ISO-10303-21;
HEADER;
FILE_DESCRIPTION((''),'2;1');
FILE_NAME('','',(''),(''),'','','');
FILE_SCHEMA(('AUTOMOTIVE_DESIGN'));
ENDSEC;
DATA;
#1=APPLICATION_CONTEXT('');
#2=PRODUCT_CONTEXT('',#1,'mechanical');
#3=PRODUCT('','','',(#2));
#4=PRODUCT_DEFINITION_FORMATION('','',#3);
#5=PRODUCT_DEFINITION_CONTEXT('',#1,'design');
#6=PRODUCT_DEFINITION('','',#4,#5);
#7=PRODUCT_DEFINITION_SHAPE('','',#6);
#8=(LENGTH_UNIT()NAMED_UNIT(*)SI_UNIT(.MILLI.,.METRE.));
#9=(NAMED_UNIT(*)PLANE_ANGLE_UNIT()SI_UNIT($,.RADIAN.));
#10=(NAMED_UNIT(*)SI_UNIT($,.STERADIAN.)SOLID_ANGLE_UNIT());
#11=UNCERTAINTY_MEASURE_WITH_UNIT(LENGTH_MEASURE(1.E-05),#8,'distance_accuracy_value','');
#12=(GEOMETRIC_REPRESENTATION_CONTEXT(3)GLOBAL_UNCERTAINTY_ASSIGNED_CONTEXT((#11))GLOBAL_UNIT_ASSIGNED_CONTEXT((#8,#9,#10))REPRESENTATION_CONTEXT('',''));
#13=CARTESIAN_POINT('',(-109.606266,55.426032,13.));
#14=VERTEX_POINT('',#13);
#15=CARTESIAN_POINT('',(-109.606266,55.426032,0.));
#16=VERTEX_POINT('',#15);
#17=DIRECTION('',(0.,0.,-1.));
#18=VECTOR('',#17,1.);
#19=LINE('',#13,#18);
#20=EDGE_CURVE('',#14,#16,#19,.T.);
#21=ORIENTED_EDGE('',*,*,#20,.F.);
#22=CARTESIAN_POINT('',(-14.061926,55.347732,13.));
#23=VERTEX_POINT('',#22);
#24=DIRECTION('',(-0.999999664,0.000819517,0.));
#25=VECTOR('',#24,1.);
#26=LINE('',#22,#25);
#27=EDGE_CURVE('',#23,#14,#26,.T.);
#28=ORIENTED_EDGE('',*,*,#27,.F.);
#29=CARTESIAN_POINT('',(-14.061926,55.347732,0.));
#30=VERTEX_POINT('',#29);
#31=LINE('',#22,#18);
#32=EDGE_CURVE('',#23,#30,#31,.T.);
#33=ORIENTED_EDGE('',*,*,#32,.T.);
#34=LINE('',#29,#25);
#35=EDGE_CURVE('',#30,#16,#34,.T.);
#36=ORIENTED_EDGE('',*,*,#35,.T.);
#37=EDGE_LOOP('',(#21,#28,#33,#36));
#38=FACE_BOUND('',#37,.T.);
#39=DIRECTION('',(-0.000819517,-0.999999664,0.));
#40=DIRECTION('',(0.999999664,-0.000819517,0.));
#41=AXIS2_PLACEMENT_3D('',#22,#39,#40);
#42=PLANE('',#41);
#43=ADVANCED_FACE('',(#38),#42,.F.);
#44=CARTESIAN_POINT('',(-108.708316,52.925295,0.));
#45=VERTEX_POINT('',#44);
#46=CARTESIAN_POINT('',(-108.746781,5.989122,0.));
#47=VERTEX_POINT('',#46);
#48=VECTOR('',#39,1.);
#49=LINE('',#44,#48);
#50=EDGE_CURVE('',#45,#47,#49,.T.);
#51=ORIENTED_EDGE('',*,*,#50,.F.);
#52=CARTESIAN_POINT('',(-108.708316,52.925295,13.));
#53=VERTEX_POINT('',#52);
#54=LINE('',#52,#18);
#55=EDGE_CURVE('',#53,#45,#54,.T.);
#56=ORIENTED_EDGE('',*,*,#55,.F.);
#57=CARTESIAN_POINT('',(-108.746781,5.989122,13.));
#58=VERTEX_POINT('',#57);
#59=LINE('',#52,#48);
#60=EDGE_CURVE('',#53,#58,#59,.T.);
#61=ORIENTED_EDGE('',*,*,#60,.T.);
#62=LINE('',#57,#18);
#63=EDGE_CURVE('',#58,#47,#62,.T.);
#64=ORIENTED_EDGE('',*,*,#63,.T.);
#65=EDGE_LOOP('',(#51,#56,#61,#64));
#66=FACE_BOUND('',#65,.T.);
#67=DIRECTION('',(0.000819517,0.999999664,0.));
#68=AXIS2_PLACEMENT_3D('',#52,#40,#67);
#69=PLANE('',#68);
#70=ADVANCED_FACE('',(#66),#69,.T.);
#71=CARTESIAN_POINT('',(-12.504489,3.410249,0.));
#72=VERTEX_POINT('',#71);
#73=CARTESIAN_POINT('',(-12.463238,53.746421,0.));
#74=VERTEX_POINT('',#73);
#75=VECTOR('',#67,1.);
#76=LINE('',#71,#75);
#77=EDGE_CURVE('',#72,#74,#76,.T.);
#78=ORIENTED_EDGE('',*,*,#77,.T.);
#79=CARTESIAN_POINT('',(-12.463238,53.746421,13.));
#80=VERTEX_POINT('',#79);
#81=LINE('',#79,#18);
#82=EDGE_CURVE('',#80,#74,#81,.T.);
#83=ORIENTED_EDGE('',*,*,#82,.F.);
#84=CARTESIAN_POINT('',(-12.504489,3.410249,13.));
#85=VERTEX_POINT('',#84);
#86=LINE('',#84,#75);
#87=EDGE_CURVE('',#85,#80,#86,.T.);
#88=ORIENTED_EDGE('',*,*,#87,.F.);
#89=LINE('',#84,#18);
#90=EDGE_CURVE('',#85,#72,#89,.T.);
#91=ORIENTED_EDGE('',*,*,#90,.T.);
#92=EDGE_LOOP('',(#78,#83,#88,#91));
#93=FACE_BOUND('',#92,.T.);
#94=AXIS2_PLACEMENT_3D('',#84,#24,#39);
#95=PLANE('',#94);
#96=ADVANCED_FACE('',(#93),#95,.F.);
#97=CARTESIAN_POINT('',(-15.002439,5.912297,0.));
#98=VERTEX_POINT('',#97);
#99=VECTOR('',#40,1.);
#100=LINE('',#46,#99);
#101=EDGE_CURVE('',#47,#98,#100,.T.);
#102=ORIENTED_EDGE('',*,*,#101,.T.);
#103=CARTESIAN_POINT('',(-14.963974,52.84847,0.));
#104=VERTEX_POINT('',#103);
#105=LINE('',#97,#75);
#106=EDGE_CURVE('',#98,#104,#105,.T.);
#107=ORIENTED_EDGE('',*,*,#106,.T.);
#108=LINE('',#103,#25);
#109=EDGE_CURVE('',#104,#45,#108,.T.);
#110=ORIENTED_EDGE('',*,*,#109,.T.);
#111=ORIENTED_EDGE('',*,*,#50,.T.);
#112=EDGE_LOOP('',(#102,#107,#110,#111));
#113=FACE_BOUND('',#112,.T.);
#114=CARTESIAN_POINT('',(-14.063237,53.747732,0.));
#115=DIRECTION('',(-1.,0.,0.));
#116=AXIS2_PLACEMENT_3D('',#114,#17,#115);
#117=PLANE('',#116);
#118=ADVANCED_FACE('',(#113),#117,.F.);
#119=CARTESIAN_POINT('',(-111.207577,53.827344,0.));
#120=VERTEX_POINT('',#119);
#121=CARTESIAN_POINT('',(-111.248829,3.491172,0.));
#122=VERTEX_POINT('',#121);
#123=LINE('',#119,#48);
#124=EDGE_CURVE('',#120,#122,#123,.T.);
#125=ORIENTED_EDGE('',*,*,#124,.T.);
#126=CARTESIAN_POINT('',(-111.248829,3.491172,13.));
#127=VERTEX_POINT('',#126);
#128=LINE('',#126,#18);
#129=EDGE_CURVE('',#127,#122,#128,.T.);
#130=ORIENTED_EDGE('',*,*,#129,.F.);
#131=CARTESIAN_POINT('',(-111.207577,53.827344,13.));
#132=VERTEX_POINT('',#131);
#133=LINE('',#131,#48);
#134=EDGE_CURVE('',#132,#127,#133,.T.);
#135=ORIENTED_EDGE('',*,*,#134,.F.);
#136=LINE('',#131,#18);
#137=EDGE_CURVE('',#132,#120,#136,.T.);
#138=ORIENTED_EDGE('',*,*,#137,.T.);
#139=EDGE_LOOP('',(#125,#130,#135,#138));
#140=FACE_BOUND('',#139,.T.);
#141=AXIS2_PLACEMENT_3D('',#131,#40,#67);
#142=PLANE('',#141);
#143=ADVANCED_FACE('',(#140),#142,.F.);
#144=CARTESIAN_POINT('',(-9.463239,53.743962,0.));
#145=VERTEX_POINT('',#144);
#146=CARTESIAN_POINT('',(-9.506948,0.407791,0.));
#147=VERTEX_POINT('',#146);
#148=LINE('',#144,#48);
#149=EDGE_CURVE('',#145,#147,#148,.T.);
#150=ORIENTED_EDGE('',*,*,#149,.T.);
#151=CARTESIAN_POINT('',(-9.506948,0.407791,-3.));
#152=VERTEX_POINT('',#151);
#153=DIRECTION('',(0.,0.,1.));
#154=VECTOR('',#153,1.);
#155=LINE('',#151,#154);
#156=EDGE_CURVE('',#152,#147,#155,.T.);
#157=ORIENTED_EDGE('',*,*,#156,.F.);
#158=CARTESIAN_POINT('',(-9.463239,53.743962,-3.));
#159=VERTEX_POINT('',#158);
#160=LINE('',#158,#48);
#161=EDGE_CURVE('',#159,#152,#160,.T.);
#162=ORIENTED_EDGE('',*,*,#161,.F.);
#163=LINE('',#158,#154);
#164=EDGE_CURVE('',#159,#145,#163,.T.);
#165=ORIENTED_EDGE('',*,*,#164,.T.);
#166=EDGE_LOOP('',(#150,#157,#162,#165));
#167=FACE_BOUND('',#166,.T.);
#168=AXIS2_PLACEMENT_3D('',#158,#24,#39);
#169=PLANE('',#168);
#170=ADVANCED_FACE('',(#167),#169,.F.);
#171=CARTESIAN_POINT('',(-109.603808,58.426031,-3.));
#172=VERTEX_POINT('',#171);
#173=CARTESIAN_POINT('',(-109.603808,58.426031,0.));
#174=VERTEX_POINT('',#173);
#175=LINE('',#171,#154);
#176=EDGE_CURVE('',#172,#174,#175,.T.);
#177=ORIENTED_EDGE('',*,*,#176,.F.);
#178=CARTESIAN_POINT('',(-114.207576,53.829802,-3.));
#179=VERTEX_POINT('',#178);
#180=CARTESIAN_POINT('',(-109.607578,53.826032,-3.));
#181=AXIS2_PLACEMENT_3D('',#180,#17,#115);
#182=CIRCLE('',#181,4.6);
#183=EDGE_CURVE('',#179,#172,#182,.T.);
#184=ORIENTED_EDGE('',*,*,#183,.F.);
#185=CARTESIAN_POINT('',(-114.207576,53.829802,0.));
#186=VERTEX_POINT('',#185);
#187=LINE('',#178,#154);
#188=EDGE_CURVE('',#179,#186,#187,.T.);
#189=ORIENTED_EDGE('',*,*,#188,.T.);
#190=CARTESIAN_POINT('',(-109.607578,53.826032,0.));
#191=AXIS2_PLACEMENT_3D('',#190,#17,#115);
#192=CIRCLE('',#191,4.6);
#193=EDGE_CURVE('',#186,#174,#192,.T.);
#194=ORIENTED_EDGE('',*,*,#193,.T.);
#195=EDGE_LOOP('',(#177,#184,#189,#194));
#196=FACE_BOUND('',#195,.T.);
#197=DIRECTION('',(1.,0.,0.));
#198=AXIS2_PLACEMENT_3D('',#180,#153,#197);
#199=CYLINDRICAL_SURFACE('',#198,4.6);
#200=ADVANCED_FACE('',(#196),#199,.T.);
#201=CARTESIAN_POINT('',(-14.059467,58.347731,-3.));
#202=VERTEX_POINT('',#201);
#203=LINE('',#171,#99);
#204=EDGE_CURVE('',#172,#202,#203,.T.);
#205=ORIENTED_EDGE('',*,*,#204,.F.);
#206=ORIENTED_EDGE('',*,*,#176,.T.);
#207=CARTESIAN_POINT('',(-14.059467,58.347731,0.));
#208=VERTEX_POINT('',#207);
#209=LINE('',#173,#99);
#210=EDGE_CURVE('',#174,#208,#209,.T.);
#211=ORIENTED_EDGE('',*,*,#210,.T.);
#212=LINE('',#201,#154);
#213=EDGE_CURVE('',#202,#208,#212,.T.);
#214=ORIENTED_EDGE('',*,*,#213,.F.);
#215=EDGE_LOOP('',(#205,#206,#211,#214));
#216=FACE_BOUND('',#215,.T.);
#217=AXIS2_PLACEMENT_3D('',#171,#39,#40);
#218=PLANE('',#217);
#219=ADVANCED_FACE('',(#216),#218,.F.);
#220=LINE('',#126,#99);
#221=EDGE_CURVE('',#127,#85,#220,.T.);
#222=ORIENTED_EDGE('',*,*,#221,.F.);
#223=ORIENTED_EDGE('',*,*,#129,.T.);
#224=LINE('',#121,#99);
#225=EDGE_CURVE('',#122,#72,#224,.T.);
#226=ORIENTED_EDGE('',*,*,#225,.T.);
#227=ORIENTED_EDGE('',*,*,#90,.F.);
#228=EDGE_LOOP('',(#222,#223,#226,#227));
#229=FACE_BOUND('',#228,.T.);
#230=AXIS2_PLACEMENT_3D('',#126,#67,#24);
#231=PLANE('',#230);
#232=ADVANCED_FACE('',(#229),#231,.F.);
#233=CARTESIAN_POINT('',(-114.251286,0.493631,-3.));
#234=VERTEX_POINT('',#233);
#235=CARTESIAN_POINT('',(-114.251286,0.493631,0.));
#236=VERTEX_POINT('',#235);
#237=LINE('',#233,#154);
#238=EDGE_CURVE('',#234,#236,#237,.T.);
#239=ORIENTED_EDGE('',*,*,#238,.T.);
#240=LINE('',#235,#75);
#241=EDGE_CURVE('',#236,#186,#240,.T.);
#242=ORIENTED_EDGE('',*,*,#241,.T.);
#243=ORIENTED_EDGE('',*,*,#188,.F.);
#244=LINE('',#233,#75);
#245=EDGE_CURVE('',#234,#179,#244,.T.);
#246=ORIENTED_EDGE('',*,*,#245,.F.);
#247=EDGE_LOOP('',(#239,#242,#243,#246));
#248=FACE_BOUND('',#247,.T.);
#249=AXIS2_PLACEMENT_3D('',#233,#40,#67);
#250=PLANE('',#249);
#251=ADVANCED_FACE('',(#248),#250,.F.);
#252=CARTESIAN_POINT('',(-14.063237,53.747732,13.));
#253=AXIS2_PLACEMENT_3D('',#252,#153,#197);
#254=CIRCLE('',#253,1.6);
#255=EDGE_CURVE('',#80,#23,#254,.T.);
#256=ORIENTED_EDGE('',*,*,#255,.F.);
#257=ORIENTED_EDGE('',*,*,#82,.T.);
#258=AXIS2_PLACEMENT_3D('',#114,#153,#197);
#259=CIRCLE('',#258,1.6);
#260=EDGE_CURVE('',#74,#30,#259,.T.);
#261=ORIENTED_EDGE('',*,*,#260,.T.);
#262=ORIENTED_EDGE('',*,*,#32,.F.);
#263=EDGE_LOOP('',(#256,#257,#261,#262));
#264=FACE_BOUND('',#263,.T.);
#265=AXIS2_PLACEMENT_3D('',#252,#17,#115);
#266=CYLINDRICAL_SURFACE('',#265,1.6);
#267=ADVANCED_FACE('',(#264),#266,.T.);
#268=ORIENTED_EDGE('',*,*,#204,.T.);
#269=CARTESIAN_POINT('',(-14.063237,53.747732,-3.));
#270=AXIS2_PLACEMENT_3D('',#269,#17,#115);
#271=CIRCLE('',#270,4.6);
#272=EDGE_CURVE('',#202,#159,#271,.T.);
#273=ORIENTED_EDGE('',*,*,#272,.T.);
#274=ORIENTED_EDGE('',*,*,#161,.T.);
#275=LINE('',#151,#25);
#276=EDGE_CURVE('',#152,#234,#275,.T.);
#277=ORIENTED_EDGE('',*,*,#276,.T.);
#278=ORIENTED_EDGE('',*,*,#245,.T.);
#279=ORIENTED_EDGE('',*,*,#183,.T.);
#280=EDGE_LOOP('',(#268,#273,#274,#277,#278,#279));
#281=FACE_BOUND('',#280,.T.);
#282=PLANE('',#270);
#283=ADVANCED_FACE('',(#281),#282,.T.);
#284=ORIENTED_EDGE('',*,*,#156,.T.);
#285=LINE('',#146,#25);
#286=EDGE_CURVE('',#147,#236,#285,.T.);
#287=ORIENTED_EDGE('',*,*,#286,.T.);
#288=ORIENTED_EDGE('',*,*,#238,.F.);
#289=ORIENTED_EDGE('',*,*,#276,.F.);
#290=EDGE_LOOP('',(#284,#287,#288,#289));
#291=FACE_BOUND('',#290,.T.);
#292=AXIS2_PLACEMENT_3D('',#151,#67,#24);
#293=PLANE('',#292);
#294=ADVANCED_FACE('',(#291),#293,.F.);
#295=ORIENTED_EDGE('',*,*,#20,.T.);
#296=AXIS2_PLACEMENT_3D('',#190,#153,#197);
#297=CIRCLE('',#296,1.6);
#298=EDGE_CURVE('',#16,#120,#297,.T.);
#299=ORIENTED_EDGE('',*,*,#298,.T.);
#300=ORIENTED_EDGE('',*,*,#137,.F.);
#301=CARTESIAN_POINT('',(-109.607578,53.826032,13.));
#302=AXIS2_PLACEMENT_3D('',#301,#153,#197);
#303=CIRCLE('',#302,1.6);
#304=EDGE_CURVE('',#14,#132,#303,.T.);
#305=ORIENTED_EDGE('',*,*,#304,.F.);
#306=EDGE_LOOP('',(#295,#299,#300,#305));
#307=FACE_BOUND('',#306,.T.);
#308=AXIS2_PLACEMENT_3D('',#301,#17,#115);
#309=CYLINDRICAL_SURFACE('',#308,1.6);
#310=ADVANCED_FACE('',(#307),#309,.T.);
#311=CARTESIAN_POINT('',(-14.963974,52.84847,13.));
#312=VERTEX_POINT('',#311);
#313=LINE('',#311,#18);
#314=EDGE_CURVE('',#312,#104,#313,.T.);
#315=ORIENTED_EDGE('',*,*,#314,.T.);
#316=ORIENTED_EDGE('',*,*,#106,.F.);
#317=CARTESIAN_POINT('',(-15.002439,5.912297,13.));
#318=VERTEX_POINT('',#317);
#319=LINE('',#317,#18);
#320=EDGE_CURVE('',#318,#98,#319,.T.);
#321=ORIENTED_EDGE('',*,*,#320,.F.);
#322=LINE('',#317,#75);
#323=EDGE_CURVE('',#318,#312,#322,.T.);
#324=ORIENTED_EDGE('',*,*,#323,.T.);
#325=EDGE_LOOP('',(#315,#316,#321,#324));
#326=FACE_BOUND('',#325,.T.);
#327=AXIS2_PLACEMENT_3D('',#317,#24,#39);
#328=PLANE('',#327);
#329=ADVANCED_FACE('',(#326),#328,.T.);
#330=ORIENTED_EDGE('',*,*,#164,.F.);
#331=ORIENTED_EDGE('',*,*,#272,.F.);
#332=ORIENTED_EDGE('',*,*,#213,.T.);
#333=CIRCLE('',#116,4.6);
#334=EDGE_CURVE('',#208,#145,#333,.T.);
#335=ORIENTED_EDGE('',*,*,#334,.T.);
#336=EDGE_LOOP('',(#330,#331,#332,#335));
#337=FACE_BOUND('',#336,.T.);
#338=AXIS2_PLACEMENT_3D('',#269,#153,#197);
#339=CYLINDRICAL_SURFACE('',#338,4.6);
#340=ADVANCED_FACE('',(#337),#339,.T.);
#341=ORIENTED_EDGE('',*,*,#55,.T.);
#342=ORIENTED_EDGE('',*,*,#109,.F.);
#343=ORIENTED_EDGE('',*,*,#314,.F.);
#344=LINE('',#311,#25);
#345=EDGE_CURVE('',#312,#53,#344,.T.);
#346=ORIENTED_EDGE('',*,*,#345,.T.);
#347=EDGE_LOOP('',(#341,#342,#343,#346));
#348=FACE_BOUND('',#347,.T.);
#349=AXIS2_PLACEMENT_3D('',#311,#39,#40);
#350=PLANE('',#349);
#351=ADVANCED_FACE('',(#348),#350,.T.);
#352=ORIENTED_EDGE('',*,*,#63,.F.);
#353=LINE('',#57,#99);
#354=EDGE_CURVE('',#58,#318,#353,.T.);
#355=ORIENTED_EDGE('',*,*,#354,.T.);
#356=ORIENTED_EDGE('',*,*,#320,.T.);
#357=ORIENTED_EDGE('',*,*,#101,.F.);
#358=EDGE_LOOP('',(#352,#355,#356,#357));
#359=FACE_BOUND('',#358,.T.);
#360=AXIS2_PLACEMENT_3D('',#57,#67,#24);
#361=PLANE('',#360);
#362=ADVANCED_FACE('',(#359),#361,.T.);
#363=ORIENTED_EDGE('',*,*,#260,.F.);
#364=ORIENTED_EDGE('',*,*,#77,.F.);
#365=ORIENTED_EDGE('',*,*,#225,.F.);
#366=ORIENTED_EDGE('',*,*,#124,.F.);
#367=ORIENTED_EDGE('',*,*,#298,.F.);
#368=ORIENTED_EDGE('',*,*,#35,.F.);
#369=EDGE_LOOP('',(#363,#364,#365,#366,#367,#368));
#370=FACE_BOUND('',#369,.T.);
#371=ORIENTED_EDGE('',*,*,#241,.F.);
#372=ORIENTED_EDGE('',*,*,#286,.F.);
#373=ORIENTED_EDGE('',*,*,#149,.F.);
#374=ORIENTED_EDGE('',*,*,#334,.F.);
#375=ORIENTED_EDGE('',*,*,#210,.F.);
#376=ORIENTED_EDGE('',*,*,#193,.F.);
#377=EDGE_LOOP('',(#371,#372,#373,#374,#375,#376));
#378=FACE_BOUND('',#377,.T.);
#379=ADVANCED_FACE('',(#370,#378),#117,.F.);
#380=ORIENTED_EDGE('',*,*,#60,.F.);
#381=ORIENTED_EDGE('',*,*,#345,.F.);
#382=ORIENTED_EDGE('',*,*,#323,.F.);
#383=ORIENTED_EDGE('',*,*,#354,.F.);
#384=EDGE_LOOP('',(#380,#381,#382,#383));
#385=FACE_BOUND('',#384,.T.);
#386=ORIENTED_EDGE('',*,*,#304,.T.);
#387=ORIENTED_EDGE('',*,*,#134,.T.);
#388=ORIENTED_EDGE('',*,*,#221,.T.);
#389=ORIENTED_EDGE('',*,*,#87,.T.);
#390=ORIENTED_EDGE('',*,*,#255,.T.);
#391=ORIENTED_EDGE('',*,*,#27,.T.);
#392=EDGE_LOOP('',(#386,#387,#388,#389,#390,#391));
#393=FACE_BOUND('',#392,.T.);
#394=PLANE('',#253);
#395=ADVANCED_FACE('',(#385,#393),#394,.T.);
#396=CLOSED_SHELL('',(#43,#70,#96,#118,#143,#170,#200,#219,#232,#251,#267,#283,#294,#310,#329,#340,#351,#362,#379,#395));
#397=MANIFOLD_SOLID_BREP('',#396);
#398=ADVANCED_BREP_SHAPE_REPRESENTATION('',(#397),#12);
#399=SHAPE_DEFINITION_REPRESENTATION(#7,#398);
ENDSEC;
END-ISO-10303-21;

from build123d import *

# Parameters (mm, degrees)
RESSALTO_EXTRUS_O1_DEPTH = 13
RESSALTO_EXTRUS_O2_DEPTH = 3


with BuildPart() as part:
    # Esboço1 → Ressalto-extrusão1 (new body)
    with BuildSketch(Plane.XY):
        with BuildLine():
            Line((-111.248828562, 3.491171507), (-12.504488884, 3.410248792))
            Line((-12.504488884, 3.410248792), (-12.46323751, 53.746420916))
            ThreePointArc((-12.46323751, 53.746420916), (-12.930939325, 54.878175435), (-14.061925745, 55.347731606))
            Line((-14.061925745, 55.347731606), (-109.606266497, 55.426031866))
            ThreePointArc((-109.606266497, 55.426031866), (-110.738021017, 54.958330051), (-111.207577187, 53.82734363))
            Line((-111.207577187, 53.82734363), (-111.248828562, 3.491171507))
        make_face()
        Polygon((-108.746780608, 5.989121875), (-15.002439252, 5.912296746), (-14.963974236, 52.848470011), (-108.708315592, 52.92529514), align=None, mode=Mode.SUBTRACT)
    extrude(amount=RESSALTO_EXTRUS_O1_DEPTH)

    # Esboço2 → Ressalto-extrusão2 (add)
    with BuildSketch(Plane(origin=(0, 0, 0), x_dir=(-1, 0, 0), z_dir=(0, 0, -1))):
        with BuildLine():
            Line((9.463238518, 53.743962364), (9.506948443, 0.407791248))
            Line((9.506948443, 0.407791248), (114.251286106, 0.493631066))
            Line((114.251286106, 0.493631066), (114.20757618, 53.829802182))
            ThreePointArc((114.20757618, 53.829802182), (112.857602189, 57.081388141), (109.603807945, 58.426030858))
            Line((109.603807945, 58.426030858), (14.059467194, 58.347730599))
            ThreePointArc((14.059467194, 58.347730599), (10.807881235, 56.997756608), (9.463238518, 53.743962364))
        make_face()
    extrude(amount=RESSALTO_EXTRUS_O2_DEPTH)


solid = part.part
